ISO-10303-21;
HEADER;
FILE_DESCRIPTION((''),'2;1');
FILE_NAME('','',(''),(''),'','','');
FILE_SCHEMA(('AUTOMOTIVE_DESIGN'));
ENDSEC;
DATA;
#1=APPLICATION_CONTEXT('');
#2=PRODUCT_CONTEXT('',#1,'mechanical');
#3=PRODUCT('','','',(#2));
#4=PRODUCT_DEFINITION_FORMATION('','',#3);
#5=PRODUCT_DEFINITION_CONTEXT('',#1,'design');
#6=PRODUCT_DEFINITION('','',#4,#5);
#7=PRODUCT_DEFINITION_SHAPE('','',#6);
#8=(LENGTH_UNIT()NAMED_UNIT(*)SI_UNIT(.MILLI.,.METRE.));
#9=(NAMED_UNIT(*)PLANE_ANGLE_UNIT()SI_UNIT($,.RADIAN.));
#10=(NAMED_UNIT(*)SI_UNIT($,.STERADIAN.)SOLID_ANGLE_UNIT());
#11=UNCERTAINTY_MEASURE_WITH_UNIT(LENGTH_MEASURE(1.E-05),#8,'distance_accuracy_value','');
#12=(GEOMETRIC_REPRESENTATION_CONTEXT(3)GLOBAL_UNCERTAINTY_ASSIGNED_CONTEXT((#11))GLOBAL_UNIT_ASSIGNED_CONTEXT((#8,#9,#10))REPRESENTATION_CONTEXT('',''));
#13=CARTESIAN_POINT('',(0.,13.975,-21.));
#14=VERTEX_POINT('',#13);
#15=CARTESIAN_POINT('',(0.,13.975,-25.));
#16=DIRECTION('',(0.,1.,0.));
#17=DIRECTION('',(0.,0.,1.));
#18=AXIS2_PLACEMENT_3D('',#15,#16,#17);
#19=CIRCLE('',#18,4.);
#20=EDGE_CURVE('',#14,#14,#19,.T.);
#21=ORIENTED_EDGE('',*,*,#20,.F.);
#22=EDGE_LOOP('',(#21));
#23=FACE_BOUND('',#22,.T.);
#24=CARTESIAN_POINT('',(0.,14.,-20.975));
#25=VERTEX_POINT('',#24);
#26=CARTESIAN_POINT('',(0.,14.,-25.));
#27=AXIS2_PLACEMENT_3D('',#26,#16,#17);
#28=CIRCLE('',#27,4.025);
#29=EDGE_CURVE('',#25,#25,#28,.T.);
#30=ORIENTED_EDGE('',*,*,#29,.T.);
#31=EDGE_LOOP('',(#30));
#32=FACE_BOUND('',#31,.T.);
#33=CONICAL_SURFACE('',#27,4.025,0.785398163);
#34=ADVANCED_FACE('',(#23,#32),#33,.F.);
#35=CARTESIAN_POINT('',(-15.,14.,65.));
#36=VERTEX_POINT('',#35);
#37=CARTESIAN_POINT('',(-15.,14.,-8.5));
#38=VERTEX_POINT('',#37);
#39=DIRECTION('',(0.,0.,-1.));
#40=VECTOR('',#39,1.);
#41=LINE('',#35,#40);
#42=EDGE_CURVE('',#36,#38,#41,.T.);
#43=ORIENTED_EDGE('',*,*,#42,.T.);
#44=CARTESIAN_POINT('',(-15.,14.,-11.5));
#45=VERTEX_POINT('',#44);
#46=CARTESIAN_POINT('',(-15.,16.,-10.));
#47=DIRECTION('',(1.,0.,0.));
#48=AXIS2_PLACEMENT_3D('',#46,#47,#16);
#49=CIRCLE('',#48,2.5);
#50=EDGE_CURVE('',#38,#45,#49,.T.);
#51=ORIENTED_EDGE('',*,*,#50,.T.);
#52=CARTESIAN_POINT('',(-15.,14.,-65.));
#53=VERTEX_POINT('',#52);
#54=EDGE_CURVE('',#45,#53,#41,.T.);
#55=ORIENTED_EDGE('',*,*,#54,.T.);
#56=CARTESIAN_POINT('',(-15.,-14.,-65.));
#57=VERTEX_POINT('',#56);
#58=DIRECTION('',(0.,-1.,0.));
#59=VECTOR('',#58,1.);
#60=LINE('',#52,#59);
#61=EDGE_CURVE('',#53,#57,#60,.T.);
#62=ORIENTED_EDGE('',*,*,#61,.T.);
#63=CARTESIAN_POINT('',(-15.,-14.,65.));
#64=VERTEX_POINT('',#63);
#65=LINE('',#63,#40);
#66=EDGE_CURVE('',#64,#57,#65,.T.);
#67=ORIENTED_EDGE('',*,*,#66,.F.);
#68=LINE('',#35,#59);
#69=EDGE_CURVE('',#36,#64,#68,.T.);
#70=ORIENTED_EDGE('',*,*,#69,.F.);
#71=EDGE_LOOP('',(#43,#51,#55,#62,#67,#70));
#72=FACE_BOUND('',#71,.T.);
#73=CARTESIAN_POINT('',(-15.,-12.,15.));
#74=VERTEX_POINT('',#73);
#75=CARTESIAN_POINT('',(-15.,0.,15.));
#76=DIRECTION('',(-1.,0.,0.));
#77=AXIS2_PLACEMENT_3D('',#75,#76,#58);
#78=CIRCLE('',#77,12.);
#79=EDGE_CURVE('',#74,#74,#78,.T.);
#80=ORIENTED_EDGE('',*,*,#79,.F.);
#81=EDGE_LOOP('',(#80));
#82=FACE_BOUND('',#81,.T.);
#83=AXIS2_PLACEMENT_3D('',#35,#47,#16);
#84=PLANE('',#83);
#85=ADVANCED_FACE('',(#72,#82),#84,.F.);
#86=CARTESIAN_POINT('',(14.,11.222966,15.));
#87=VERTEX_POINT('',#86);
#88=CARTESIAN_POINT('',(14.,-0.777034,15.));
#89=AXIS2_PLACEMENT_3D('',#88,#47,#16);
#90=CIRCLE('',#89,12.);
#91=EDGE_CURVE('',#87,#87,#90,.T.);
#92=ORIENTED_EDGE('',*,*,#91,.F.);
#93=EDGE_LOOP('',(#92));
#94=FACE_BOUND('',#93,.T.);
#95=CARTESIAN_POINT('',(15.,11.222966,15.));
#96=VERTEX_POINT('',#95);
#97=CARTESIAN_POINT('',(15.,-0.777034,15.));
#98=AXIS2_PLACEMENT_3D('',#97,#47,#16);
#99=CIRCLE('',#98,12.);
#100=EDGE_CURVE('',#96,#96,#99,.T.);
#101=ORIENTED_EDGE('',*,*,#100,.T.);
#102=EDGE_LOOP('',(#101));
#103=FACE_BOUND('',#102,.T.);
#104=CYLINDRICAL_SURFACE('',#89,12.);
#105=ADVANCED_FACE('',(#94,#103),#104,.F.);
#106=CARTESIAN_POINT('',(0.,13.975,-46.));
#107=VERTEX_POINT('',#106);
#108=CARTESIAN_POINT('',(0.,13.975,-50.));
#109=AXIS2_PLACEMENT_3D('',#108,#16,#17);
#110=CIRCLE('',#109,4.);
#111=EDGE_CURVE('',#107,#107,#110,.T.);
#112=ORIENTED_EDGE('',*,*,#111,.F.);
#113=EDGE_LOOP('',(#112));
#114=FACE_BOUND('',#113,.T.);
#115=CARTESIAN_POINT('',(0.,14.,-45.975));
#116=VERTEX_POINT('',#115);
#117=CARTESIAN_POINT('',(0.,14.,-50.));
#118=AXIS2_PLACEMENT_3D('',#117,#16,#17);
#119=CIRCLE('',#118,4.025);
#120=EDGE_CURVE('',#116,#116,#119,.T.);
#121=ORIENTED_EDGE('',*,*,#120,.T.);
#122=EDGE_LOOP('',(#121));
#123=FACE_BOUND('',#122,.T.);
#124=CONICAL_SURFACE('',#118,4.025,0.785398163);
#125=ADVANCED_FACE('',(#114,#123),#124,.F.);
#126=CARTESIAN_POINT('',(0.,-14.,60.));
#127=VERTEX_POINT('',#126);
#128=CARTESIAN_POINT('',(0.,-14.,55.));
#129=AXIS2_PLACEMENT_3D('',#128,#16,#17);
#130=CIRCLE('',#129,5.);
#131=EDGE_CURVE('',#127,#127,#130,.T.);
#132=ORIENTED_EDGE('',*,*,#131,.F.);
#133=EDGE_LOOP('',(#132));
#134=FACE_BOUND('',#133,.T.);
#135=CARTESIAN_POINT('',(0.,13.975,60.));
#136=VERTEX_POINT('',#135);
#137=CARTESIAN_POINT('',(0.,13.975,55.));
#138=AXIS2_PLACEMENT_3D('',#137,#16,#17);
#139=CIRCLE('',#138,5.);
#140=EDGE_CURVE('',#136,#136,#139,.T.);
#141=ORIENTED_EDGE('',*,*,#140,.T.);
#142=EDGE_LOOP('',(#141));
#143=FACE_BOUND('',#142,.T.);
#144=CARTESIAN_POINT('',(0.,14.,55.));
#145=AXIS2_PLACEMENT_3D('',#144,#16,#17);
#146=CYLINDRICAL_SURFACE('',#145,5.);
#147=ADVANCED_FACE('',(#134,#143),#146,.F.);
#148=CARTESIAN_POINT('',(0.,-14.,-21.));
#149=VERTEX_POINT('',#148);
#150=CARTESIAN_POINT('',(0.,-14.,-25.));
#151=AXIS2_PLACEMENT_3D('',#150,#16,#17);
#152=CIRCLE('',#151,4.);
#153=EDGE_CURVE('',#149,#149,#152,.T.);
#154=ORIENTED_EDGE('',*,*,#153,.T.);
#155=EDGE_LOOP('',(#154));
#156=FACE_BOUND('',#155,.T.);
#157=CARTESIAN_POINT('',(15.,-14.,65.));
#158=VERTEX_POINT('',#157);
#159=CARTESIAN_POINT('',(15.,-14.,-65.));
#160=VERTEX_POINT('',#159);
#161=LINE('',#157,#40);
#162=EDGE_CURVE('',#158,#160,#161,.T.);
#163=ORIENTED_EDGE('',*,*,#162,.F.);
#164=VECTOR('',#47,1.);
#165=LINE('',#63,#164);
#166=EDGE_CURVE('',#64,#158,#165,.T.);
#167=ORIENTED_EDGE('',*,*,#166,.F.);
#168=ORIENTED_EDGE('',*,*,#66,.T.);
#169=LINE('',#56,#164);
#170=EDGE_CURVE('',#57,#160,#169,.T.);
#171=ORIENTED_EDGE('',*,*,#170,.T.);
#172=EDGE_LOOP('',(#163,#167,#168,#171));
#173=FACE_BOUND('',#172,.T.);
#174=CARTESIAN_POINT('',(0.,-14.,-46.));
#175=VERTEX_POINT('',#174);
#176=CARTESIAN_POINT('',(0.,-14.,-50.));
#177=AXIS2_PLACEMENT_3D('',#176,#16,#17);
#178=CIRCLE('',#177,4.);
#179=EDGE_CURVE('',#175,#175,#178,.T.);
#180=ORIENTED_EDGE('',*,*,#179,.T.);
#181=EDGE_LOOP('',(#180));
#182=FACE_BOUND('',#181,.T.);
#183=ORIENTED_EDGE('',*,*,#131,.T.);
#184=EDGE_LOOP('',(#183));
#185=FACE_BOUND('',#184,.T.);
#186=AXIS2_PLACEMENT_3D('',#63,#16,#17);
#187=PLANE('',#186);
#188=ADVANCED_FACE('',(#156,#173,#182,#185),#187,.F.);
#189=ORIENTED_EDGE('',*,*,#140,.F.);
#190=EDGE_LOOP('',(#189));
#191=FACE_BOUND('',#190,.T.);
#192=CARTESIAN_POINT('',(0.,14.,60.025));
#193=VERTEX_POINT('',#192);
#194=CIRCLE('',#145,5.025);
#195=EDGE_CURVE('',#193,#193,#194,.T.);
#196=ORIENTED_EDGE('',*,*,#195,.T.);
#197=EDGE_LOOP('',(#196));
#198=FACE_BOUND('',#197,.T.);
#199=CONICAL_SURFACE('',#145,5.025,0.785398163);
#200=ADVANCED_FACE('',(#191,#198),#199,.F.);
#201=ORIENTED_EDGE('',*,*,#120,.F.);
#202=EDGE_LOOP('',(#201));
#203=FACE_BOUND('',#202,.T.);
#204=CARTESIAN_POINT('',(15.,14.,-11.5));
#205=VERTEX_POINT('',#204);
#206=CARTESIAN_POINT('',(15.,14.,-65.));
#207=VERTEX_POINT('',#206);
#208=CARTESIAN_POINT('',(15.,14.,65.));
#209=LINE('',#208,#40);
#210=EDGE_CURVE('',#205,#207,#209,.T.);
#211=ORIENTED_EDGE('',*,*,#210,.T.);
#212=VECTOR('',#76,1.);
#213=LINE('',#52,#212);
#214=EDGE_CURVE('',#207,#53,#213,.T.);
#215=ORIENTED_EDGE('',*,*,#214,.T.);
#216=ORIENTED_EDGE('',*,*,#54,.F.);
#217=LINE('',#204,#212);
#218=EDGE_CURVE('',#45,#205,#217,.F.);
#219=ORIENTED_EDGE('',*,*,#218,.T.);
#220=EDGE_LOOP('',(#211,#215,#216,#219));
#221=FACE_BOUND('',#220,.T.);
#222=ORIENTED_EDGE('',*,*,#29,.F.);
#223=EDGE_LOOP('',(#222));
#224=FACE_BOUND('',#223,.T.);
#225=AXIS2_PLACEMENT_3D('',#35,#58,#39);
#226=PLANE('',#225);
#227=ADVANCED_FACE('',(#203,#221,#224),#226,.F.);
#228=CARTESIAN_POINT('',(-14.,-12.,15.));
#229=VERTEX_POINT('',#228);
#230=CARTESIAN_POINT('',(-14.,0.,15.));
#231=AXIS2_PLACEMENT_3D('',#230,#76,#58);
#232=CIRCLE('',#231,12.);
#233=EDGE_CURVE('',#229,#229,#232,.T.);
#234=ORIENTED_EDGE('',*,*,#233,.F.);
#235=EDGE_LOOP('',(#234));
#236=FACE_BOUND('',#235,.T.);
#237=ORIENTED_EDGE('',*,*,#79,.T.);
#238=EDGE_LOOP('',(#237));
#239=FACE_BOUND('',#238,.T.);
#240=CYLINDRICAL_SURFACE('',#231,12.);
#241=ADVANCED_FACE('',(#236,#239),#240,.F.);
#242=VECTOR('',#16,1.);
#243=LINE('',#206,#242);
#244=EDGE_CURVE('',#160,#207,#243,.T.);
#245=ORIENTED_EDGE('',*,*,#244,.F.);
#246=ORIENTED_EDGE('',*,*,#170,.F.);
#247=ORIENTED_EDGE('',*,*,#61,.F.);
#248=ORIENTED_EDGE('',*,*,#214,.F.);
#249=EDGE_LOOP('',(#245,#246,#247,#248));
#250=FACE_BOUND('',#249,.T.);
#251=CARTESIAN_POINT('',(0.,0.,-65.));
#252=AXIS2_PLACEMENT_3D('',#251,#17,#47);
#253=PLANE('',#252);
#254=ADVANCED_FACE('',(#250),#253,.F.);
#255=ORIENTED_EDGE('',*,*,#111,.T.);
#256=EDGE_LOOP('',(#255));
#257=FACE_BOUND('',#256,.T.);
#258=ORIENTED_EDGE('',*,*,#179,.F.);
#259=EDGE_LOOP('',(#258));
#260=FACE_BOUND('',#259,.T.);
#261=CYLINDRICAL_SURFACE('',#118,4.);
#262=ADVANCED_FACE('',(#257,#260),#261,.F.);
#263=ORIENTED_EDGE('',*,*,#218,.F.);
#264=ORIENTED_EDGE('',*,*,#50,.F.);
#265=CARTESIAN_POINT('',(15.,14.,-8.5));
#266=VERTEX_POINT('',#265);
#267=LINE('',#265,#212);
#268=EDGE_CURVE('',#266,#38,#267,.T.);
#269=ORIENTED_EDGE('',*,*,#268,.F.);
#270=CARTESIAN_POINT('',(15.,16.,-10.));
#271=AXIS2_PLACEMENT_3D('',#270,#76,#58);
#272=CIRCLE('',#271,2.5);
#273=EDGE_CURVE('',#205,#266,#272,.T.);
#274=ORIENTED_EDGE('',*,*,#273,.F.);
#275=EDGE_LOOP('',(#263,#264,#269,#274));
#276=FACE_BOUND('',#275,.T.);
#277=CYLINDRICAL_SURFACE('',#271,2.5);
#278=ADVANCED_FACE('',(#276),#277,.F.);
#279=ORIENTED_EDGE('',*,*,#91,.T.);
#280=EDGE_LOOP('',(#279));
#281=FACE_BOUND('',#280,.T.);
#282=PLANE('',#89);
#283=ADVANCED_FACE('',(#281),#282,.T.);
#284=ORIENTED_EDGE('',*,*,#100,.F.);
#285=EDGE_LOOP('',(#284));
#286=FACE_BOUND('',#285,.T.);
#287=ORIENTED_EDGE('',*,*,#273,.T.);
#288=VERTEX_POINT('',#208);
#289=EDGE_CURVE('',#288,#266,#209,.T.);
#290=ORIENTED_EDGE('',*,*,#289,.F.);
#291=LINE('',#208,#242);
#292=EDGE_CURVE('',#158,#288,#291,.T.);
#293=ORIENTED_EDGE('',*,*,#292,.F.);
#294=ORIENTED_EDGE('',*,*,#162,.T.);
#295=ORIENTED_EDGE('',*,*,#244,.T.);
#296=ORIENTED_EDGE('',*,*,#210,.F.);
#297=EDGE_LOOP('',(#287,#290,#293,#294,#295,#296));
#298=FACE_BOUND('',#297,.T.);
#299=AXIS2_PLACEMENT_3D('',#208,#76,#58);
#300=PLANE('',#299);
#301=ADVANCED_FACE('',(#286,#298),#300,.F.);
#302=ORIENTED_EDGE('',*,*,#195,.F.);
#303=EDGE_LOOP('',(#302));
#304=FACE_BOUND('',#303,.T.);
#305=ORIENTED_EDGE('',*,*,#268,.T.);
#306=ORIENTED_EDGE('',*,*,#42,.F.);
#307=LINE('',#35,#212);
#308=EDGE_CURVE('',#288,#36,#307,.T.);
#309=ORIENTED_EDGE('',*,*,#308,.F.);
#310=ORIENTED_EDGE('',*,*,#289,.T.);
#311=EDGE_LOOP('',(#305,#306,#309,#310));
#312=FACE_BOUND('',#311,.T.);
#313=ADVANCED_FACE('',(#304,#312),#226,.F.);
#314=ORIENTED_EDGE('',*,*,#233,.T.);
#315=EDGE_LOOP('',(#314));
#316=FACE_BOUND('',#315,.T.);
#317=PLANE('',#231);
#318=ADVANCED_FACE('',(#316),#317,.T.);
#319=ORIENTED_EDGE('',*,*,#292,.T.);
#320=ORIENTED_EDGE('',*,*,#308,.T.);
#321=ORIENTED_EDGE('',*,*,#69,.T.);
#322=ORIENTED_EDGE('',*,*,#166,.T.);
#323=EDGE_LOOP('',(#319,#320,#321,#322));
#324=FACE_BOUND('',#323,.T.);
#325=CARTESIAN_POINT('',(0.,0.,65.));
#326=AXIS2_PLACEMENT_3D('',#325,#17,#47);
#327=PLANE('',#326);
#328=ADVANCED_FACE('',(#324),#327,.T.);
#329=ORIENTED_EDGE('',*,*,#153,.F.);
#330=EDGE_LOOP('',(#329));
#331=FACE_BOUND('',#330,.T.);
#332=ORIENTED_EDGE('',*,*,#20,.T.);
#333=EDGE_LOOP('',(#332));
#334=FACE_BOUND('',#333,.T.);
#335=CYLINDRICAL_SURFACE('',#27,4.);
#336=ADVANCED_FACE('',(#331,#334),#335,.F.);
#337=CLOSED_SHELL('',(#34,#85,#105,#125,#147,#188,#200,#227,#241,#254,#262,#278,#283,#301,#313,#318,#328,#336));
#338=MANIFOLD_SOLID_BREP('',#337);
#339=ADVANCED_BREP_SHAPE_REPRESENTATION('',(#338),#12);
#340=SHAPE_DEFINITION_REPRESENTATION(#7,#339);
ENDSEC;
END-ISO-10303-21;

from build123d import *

# Parameters (mm, degrees)
SKETCH_1_W                        = 30
SKETCH_1_H                        = 28
EXTRUDE_1_DEPTH                   = 65
SKETCH_2_R                        = 2.5
CUT_EXTRUDE_1_DEPTH               = 73.945184899
HOLE_WIZARD_8_0_8_1_D             = 8
HOLE_WIZARD_8_0_8_1_CSINK_D       = 8.05
HOLE_WIZARD_8_0_8_1_CSINK_ANGLE   = 90
HOLE_WIZARD_10_0_10_1_D           = 10
HOLE_WIZARD_10_0_10_1_CSINK_D     = 10.05
HOLE_WIZARD_10_0_10_1_CSINK_ANGLE = 90
SKETCH_7_R                        = 12
CUT_EXTRUDE_2_DEPTH               = 1
SKETCH_9_R                        = 12
CUT_EXTRUDE_3_DEPTH               = 1


with BuildPart() as part:
    # 草图1 → 凸台-拉伸1 (new, symmetric)
    with BuildSketch(Plane.XY):
        Rectangle(SKETCH_1_W, SKETCH_1_H)
    extrude(amount=EXTRUDE_1_DEPTH, both=True)

    # 草图2 → 切除-拉伸1 (cut, through all)
    with BuildSketch(Plane.ZY.offset(15)):
        with Locations((-10, 16)):
            Circle(SKETCH_2_R)
    extrude(amount=-CUT_EXTRUDE_1_DEPTH, mode=Mode.SUBTRACT)

    # Ø8.0 (8) 直径孔1 (through all)
    with Locations(Plane(origin=(0, 14, 0), x_dir=(1, 0, 0), z_dir=(0, 1, 0))):
        with Locations((0, 25), (0, 50)):
            CounterSinkHole(HOLE_WIZARD_8_0_8_1_D / 2, HOLE_WIZARD_8_0_8_1_CSINK_D / 2, counter_sink_angle=HOLE_WIZARD_8_0_8_1_CSINK_ANGLE)

    # Ø10.0 (10) 直径孔1 (through all)
    with Locations(Plane(origin=(0, 14, 0), x_dir=(1, 0, 0), z_dir=(0, 1, 0))):
        with Locations((0, -55)):
            CounterSinkHole(HOLE_WIZARD_10_0_10_1_D / 2, HOLE_WIZARD_10_0_10_1_CSINK_D / 2, counter_sink_angle=HOLE_WIZARD_10_0_10_1_CSINK_ANGLE)

    # 草图7 → 切除-拉伸2 (cut)
    with BuildSketch(Plane.ZY.offset(15)):
        with Locations(Location((15, 0, 0), (0, 0, 270))):
            Circle(SKETCH_7_R)
    extrude(amount=-CUT_EXTRUDE_2_DEPTH, mode=Mode.SUBTRACT)

    # 草图9 → 切除-拉伸3 (cut)
    with BuildSketch(Plane(origin=(15, 0, 0), x_dir=(0, 0, -1), z_dir=(1, 0, 0))):
        with Locations(Location((-15, -0.777034021, 0), (0, 0, 90))):
            Circle(SKETCH_9_R)
    extrude(amount=-CUT_EXTRUDE_3_DEPTH, mode=Mode.SUBTRACT)


solid = part.part
